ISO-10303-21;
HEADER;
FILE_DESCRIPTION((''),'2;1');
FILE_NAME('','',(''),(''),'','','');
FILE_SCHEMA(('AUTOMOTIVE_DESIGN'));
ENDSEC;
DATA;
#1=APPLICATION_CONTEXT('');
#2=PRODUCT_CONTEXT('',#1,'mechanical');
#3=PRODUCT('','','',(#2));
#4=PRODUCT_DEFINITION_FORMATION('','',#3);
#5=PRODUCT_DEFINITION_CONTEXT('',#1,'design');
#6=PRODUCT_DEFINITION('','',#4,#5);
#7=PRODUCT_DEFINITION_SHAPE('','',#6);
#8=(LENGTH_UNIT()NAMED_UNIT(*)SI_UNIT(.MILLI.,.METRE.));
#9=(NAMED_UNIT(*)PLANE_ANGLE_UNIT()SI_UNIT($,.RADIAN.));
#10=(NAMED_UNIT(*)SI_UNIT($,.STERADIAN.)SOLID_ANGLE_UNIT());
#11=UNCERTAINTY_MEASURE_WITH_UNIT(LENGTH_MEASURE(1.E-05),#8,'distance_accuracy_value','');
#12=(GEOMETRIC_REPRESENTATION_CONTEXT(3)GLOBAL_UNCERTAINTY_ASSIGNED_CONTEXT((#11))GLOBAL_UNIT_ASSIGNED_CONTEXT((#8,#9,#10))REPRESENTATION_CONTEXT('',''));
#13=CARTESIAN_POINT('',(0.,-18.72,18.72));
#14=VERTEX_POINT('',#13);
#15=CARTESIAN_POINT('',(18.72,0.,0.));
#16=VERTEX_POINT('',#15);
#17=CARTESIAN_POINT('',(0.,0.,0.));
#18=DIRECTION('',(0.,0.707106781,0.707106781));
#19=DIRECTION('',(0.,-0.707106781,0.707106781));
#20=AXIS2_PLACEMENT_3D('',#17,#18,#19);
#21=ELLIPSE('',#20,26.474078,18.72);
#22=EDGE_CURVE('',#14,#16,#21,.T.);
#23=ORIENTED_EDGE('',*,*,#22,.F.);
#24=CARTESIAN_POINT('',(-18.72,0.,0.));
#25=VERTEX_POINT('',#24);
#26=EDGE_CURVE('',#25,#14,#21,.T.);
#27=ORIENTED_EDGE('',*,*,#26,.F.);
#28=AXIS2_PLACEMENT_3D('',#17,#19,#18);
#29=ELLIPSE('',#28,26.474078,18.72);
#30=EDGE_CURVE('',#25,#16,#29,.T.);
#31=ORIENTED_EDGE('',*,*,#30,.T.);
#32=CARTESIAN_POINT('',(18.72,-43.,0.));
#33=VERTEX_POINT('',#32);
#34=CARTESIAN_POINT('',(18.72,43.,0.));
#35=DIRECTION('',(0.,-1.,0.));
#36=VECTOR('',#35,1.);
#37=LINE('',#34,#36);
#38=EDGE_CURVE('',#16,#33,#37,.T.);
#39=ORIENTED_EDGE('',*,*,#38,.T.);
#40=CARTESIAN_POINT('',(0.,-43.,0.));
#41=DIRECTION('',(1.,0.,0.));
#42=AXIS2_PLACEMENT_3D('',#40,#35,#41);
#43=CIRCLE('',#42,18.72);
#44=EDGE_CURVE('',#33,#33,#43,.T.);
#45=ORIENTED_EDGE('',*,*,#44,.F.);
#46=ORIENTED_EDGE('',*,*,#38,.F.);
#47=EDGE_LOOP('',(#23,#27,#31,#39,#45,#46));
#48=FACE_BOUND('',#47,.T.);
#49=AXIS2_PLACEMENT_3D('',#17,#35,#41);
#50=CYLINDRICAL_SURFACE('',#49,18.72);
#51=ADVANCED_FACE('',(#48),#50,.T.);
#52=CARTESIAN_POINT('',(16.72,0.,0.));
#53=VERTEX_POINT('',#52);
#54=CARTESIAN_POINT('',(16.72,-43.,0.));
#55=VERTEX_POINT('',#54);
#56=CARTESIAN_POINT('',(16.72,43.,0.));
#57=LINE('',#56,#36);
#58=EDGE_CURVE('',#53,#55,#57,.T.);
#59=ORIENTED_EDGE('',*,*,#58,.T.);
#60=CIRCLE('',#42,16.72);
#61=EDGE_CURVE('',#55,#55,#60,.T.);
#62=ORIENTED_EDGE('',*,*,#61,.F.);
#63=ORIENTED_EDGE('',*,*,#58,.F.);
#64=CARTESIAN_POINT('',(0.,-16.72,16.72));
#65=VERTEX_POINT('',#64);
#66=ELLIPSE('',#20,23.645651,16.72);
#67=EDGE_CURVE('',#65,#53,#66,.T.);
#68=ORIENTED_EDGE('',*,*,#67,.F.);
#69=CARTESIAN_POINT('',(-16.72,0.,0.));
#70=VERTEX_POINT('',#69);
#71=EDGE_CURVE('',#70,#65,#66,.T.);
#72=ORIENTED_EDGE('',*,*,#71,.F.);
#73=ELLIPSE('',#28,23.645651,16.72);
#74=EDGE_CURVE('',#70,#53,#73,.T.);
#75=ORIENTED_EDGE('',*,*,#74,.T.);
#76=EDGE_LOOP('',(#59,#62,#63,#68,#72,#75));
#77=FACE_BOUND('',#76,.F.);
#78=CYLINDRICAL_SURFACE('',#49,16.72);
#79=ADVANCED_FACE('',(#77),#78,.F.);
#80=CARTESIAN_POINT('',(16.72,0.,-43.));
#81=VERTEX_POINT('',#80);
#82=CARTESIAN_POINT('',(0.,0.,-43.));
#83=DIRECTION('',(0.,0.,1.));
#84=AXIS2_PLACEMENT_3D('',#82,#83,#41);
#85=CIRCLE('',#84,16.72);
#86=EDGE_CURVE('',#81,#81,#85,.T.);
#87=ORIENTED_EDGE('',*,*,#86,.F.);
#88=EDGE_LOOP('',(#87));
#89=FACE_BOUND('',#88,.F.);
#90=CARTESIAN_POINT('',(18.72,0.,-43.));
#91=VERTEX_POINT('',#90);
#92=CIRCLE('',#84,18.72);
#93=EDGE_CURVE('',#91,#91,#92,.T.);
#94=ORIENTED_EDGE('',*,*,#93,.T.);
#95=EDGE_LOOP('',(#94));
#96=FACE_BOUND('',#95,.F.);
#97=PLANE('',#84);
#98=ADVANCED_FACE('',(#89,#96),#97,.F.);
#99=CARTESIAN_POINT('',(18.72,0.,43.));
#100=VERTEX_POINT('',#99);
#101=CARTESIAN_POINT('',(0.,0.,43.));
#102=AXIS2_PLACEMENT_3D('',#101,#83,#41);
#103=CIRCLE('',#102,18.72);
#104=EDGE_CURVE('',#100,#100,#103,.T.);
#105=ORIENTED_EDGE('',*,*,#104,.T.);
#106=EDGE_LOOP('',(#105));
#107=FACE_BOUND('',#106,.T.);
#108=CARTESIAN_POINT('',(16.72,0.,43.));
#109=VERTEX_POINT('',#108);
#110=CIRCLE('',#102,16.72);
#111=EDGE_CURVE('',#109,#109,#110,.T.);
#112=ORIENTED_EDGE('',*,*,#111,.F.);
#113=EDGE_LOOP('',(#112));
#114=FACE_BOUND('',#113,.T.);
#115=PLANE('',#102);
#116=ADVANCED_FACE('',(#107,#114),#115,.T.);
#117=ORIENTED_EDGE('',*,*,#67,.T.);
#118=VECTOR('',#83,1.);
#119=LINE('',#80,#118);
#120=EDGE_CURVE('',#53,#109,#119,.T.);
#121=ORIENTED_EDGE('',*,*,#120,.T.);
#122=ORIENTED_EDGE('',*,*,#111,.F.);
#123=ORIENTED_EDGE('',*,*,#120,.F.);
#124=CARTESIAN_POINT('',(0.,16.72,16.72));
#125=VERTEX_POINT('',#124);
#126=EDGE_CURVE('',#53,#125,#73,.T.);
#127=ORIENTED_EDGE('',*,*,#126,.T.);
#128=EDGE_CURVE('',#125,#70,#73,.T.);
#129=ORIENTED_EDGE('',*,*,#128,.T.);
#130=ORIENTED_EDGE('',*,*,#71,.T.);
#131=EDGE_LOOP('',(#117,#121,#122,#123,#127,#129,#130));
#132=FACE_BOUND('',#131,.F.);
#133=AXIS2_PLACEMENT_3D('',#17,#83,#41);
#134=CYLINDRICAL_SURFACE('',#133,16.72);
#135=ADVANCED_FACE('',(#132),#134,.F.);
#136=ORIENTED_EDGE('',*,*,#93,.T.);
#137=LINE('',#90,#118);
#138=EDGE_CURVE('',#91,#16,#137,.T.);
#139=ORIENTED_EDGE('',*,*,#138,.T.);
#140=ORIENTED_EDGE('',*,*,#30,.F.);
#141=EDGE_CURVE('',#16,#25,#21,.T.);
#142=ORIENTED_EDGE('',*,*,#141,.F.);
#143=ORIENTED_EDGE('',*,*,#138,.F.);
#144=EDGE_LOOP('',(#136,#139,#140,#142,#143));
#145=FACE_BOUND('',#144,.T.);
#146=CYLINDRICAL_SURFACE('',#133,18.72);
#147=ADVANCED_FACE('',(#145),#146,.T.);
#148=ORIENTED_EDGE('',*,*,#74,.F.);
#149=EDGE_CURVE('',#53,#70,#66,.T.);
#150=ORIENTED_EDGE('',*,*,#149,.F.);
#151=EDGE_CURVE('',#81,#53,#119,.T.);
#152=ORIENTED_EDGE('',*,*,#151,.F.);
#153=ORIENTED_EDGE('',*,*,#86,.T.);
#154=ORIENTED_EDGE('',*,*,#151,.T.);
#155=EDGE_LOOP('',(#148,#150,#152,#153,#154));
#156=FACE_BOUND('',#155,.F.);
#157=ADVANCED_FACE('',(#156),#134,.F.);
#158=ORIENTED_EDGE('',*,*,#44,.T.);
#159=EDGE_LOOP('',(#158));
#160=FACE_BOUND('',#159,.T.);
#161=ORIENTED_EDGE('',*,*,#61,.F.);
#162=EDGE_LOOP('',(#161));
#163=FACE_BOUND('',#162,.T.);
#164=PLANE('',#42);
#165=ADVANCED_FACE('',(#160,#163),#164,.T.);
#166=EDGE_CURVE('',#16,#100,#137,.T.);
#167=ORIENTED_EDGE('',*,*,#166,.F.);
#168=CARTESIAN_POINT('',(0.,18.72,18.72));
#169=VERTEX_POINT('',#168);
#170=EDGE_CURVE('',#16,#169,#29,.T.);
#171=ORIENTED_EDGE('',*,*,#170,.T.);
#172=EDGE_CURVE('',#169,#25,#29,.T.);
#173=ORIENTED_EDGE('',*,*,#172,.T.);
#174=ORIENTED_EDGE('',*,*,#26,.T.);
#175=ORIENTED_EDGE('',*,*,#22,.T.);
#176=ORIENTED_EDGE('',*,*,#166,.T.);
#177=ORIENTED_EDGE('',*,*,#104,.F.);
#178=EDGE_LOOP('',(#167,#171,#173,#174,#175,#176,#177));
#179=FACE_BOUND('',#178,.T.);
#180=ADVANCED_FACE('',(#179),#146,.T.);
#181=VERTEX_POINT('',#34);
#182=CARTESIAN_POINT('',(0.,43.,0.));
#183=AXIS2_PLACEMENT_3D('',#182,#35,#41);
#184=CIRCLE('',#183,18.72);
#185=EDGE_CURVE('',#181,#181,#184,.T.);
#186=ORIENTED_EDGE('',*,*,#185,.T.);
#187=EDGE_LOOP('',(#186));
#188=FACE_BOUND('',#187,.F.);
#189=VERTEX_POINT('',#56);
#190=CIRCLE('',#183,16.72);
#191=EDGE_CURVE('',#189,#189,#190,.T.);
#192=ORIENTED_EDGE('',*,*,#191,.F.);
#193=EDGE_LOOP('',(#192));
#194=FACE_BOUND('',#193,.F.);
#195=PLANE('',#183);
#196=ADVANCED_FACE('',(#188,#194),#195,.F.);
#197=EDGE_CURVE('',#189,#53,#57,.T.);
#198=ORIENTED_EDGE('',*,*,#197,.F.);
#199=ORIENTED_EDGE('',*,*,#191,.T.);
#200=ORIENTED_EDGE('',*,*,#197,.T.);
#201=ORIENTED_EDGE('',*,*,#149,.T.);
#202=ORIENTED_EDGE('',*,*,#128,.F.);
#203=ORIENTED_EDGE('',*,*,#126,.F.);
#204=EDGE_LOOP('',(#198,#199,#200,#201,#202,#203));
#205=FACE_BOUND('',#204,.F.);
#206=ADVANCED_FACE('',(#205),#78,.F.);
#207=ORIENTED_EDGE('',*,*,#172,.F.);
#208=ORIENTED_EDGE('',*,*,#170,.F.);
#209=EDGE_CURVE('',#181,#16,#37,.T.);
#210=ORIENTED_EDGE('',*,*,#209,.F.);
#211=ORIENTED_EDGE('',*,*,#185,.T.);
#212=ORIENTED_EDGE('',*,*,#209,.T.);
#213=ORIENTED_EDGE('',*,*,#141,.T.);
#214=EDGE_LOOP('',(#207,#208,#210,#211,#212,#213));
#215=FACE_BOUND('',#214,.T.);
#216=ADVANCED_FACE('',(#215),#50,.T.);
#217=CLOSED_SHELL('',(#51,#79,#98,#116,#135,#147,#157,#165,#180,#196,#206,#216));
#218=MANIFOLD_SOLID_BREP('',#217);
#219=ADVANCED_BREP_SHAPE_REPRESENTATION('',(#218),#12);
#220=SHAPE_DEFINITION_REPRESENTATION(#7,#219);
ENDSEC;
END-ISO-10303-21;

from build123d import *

# Parameters (mm, degrees)
F0_R     = 16.72
F1_DEPTH = 43
F2_R     = 16.72
F3_DEPTH = 43
F4_T     = 2


with BuildPart() as f1:
    # F0 (on Top) → F1 (new body, symmetric)
    with BuildSketch(Plane.XY):
        Circle(F0_R)
    extrude(amount=F1_DEPTH, both=True)

    # F2 (on Front) → F3 (join, symmetric)
    with BuildSketch(Plane.XZ):
        Circle(F2_R)
    extrude(amount=F3_DEPTH, both=True)

    # F4
    f4_openings = [f1.faces().sort_by_distance(p)[0] for p in [
        (0, 0, -43),
        (0, -43, 0),
        (0, 0, 43),
        (0, 43, 0),
    ]]
    offset(amount=F4_T, openings=f4_openings)


solid = f1.part
